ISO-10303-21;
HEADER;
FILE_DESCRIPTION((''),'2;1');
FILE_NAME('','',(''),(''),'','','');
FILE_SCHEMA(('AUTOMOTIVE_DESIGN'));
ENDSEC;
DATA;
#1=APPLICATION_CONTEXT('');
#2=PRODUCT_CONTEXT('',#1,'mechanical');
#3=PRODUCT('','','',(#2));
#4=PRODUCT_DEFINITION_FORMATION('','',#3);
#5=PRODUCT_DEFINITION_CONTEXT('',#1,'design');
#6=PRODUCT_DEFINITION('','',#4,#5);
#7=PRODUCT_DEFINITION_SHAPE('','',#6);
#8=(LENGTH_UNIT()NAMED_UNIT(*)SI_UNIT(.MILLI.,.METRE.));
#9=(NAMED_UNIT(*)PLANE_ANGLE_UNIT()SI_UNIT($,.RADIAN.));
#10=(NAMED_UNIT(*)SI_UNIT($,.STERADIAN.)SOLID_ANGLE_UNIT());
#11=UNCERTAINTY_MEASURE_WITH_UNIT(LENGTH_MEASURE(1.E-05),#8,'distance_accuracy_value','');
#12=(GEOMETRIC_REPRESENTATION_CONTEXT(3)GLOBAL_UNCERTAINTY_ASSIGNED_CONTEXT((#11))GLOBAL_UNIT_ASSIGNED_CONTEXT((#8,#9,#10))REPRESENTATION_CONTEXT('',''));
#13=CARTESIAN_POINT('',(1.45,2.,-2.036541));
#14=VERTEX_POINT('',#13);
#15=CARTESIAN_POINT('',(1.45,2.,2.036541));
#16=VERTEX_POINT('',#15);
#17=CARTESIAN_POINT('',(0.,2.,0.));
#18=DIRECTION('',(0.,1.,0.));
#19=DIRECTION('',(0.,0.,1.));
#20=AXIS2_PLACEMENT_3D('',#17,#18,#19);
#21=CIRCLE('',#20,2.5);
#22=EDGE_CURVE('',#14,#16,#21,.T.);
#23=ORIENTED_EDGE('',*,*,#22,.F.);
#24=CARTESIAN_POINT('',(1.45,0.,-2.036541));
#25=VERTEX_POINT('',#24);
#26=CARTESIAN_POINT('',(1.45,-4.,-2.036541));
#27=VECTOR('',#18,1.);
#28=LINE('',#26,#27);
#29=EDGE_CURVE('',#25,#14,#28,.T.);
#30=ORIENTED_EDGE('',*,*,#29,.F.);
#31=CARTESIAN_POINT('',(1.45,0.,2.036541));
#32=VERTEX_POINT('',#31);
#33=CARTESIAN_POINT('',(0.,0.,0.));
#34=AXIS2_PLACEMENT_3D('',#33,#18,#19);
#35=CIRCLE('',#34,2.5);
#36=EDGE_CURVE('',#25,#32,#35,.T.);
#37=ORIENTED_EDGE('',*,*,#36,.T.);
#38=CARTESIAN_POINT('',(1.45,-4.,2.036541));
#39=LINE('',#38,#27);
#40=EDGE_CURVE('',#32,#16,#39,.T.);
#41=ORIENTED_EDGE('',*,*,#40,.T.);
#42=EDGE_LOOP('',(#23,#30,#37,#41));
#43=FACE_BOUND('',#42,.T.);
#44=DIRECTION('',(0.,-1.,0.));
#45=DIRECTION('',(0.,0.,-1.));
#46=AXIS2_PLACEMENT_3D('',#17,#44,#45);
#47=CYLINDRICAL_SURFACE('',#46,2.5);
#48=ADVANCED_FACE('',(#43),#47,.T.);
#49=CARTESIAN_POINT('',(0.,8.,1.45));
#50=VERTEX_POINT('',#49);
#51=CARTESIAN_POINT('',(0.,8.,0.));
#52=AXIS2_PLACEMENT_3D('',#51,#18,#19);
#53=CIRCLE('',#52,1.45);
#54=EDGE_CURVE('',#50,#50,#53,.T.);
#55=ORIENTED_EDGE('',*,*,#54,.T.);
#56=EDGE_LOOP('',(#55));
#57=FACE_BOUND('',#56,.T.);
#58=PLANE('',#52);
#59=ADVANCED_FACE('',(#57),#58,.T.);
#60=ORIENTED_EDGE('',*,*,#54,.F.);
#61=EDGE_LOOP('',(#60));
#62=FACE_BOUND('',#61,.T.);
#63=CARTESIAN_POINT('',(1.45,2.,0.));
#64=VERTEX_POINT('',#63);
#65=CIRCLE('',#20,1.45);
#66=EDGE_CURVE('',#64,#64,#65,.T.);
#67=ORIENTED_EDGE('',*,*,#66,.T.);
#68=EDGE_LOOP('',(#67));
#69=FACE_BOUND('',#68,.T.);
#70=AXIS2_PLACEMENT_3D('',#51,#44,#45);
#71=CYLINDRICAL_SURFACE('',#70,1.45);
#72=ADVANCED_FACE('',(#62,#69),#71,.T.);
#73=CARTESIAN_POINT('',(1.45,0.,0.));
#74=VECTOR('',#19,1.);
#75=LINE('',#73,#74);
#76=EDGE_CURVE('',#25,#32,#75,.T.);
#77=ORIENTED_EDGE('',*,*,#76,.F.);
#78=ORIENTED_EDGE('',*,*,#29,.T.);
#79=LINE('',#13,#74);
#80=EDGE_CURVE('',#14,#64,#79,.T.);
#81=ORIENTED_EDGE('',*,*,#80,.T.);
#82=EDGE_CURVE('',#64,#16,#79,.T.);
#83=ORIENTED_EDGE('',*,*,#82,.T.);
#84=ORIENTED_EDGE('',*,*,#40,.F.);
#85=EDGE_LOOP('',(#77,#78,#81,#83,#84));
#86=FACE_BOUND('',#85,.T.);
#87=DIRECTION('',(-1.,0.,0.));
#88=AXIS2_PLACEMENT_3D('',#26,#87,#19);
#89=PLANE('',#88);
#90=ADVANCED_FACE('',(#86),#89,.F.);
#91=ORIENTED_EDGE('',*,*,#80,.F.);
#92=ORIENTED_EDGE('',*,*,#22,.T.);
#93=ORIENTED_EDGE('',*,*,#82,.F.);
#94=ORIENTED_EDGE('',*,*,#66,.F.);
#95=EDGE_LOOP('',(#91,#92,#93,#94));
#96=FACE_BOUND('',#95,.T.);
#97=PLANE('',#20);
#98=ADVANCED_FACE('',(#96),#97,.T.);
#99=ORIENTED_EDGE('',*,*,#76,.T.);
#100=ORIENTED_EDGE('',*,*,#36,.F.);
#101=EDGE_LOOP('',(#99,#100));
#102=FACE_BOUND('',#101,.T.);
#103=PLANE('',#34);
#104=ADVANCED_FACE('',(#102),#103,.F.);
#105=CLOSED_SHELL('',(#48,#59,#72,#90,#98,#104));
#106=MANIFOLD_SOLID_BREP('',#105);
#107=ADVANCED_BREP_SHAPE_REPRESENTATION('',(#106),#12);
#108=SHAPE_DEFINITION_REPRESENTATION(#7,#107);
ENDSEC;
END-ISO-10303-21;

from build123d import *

# Parameters (mm, degrees)
SKETCH1_R           = 2.5
BOSS_EXTRUDE1_DEPTH = 2
SKETCH2_R           = 1.45
BOSS_EXTRUDE2_DEPTH = 6
CUT_EXTRUDE1_START  = -6
CUT_EXTRUDE1_DEPTH  = 6


with BuildPart() as part:
    # Sketch1 → Boss-Extrude1 (new body)
    with BuildSketch(Plane(origin=(0, 0, 0), x_dir=(1, 0, 0), z_dir=(0, 1, 0))):
        with Locations(Location((0, 0, 0), (0, 0, 270))):
            Circle(SKETCH1_R)
    extrude(amount=BOSS_EXTRUDE1_DEPTH)

    # Sketch2 → Boss-Extrude2 (add)
    with BuildSketch(Plane(origin=(0, 2, 0), x_dir=(1, 0, 0), z_dir=(0, 1, 0))):
        with Locations(Location((0, 0, 0), (0, 0, 270))):
            Circle(SKETCH2_R)
    extrude(amount=BOSS_EXTRUDE2_DEPTH)

    # Sketch3 → Cut-Extrude1 (cut)
    with BuildSketch(Plane(origin=(0, 2, 0), x_dir=(1, 0, 0), z_dir=(0, 1, 0)).offset(CUT_EXTRUDE1_START)):
        with BuildLine():
            Line((1.45, 2.036541185), (1.45, -2.036541185))
            ThreePointArc((1.45, -2.036541185), (2.5, 0), (1.45, 2.036541185))
        make_face()
    extrude(amount=CUT_EXTRUDE1_DEPTH, mode=Mode.SUBTRACT)


solid = part.part
